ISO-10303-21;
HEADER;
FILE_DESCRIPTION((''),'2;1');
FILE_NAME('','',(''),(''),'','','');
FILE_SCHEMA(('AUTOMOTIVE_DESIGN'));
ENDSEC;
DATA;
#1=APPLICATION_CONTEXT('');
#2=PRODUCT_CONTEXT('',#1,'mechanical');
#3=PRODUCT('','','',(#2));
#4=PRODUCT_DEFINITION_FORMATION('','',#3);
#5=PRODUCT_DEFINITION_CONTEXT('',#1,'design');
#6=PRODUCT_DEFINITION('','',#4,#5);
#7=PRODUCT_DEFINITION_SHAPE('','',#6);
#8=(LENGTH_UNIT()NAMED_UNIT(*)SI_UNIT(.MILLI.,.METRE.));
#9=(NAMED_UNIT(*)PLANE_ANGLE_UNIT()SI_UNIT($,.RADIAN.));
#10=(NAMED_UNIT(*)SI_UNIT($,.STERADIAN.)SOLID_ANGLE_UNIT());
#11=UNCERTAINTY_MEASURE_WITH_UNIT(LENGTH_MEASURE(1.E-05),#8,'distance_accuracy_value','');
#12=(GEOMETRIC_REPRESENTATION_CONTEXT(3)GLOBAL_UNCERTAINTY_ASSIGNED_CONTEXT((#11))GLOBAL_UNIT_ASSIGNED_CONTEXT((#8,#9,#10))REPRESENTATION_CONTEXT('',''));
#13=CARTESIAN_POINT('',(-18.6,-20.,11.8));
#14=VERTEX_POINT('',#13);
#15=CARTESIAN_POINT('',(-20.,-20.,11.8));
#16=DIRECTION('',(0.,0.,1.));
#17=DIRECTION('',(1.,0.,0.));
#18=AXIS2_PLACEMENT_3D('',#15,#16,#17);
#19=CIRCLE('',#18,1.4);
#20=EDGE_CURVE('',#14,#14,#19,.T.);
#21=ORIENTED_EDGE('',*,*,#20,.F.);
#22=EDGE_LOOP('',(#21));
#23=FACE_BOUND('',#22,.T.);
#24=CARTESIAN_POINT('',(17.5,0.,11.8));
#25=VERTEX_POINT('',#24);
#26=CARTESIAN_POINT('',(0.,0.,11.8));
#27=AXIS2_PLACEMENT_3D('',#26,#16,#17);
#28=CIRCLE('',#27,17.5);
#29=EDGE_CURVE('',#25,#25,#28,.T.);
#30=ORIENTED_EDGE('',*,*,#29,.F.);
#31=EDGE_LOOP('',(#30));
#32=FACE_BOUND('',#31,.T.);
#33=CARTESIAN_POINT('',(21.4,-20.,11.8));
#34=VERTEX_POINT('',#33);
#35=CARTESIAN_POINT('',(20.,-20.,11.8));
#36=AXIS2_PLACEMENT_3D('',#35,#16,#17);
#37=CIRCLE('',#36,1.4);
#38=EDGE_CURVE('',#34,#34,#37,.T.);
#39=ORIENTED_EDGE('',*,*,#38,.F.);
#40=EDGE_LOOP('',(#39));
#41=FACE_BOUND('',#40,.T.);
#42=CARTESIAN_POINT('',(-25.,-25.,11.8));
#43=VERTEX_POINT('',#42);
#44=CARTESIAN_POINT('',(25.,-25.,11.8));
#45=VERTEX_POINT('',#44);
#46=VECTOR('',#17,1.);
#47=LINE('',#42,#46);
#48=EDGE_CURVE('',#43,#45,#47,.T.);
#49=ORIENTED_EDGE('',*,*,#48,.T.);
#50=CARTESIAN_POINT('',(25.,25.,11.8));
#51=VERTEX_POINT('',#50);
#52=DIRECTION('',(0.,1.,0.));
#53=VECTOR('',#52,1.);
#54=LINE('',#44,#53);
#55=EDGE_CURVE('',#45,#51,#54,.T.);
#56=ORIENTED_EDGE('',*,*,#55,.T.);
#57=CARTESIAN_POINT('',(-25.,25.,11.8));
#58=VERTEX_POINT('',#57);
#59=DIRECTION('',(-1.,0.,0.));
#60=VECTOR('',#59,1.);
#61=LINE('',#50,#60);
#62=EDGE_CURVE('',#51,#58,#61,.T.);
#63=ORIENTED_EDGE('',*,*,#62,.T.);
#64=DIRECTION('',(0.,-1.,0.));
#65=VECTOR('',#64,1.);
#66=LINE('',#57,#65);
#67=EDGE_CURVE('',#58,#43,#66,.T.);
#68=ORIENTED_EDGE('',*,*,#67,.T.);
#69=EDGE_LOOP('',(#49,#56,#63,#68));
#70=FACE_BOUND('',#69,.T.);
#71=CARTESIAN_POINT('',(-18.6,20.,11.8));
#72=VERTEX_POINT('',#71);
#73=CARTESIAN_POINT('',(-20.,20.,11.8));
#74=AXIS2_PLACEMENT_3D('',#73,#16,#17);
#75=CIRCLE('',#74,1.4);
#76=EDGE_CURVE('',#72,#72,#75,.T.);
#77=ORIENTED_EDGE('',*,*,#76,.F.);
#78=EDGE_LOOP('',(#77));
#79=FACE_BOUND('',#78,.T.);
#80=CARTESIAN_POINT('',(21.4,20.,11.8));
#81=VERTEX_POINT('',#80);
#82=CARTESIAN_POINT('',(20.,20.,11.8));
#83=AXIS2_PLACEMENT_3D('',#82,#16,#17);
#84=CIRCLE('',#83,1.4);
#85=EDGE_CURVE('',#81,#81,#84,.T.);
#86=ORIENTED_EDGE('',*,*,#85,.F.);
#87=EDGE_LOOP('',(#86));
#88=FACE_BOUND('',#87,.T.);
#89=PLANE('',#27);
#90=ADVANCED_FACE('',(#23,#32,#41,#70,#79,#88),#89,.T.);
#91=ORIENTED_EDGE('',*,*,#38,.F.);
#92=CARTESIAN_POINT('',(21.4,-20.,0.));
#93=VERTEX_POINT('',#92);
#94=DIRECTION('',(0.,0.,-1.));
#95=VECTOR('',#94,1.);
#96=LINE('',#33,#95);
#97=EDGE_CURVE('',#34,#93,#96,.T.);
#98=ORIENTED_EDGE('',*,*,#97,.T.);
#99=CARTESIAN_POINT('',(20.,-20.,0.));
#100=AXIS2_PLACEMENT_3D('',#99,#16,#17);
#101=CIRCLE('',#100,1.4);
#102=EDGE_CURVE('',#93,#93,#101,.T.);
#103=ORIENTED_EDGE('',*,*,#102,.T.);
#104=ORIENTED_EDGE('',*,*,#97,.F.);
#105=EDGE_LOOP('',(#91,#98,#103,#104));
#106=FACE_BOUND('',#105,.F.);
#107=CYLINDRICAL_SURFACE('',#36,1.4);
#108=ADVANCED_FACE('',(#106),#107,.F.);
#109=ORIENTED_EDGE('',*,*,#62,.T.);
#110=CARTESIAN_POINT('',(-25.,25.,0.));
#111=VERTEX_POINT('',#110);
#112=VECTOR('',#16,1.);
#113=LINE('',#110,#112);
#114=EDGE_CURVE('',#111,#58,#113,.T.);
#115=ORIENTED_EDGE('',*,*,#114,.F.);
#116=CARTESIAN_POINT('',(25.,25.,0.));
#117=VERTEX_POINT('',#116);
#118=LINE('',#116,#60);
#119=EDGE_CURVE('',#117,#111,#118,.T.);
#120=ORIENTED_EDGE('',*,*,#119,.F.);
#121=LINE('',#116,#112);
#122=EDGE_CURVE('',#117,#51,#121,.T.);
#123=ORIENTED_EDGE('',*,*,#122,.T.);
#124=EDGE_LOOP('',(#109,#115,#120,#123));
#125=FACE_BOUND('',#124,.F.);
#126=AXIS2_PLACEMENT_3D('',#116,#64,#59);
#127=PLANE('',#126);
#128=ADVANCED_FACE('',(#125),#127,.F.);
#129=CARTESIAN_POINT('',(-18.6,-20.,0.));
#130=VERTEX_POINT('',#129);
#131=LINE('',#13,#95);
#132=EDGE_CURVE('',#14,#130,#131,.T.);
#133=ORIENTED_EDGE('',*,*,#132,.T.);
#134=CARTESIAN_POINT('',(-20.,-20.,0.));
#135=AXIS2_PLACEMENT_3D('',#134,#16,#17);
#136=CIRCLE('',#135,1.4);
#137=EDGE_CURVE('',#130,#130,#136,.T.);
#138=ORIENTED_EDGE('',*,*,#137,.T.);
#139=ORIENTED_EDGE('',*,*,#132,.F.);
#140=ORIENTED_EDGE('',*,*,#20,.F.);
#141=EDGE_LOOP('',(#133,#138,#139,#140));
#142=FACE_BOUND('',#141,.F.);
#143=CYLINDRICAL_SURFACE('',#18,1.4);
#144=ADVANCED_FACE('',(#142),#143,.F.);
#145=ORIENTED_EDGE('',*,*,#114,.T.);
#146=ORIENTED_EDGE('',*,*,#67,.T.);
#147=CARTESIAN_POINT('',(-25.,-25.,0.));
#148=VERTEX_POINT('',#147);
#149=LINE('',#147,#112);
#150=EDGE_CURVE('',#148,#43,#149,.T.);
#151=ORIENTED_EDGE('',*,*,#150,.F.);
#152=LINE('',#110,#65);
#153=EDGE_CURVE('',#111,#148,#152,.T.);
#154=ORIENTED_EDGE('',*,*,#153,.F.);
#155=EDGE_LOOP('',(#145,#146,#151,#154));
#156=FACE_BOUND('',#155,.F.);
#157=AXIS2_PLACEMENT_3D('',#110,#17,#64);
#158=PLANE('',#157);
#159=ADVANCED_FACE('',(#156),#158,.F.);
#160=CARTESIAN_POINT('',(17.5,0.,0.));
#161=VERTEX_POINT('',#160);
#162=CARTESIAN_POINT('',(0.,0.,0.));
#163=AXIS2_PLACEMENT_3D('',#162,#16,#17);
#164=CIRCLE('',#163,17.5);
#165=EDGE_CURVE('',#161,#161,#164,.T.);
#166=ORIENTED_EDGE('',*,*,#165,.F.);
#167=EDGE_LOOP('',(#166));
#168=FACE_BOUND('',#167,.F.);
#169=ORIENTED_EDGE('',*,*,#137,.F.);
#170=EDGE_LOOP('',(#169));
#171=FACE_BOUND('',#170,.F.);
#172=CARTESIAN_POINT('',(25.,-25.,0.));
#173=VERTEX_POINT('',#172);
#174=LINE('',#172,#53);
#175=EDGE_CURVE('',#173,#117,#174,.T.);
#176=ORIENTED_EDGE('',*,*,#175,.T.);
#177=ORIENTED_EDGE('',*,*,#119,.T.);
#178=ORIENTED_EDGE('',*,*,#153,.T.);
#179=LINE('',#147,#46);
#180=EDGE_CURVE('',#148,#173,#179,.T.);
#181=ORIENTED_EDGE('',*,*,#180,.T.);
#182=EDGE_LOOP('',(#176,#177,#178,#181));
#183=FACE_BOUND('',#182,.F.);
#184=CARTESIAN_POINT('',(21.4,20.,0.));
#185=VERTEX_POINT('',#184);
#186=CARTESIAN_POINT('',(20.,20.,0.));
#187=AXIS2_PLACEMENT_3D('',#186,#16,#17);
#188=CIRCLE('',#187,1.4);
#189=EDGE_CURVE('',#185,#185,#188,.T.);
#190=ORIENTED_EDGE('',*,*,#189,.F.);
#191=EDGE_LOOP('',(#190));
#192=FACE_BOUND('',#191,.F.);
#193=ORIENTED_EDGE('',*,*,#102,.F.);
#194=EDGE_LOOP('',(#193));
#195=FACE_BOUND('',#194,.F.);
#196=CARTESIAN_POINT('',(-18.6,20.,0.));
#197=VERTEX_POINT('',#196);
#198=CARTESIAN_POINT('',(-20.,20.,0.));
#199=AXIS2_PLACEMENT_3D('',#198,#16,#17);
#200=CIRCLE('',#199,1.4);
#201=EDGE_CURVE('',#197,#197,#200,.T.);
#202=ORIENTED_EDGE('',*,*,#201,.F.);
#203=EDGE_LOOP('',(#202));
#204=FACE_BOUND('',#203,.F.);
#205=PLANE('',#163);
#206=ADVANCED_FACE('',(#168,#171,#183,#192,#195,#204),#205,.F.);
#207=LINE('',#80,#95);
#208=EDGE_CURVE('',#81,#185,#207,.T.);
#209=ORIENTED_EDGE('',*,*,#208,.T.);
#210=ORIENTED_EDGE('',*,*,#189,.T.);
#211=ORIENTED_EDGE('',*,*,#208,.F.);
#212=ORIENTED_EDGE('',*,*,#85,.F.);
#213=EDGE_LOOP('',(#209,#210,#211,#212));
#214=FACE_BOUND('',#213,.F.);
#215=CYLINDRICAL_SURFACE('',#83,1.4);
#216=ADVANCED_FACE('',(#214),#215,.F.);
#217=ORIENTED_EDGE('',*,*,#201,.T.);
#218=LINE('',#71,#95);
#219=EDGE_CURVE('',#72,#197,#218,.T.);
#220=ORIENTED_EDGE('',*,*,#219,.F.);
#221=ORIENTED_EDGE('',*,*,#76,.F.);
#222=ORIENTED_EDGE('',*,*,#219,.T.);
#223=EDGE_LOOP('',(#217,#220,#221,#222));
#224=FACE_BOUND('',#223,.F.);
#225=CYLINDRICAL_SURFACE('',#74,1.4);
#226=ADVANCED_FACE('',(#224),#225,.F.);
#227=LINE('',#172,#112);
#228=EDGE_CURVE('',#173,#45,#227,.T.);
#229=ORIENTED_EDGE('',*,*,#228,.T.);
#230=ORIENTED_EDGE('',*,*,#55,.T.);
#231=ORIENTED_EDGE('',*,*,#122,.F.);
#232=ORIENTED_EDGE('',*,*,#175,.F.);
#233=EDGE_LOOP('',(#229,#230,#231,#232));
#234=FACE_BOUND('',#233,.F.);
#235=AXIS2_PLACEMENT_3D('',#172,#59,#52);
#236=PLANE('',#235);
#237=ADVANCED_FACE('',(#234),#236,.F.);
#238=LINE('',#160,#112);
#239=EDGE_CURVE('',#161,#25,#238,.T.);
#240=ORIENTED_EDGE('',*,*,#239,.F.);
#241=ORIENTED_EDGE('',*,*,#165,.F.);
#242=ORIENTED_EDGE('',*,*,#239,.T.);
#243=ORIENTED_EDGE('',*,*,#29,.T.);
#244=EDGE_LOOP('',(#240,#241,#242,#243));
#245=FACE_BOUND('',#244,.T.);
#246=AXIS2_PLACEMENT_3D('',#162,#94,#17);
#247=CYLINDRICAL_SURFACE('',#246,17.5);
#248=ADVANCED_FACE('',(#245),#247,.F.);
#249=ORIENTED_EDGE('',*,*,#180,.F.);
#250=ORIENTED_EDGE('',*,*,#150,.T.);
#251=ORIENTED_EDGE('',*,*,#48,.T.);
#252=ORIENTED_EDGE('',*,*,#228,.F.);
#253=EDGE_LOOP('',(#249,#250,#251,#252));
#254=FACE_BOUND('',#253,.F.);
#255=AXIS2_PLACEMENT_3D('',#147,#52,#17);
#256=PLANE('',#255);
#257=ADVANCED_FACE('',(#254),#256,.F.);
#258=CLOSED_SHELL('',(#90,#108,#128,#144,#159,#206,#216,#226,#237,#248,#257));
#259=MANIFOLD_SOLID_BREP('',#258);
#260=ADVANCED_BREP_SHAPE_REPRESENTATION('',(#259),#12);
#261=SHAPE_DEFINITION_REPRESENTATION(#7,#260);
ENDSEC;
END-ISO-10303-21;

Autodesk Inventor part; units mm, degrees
ref_plane "YZ Plane" through (0, 0, 0) normal (1, 0, 0) x (0, 1, 0)
ref_plane "XZ Plane" through (0, 0, 0) normal (0, 1, 0) x (-1, 0, 0)
ref_plane "XY Plane" through (0, 0, 0) normal (0, 0, 1) x (1, 0, 0)
sketch "Sketch1" plane through (0, 0, 0) normal (0, 0, 1) x (1, 0, 0)
  line L0 (-35, 0) -> (35, 0) construction
  line L1 (0, -35) -> (0, 35) construction
  line L2 (-25, -25) -> (25, -25)
  line L3 (25, -25) -> (25, 25)
  line L4 (25, 25) -> (-25, 25)
  line L5 (-25, 25) -> (-25, -25)
  line L6 (-25, -25) -> (25, 25) construction
  line L7 (25, -25) -> (-25, 25) construction
  circle A0 centre (0, 0) radius 17.5
  dimension "d0" = 50
  dimension "d1" = 50
  dimension "d2" = 35
extrude "Extrusion1" add sketch "Sketch1" along normal blind 11.8
sketch "Sketch2" plane through (0, 0, 11.8) normal (0, 0, 1) x (1, 0, 0)
  circle A0 centre (0, 0) radius 17.5 construction
  line L0 (-25, -25) -> (25, -25) construction
  line L1 (25, -25) -> (25, 25) construction
  line L2 (25, 25) -> (-25, 25) construction
  line L3 (-25, 25) -> (-25, -25) construction
  line L4 (-35, 0) -> (35, 0) construction
  line L5 (0, -35) -> (0, 35) construction
  circle A1 centre (-20, 20) radius 1.4
  circle A2 centre (20, 20) radius 1.4
  circle A3 centre (-20, -20) radius 1.4
  circle A4 centre (20, -20) radius 1.4
  dimension "d5" = 2.8
  dimension "d6" = 20
  dimension "d7" = 20
extrude "Extrusion2" cut sketch "Sketch2" against normal through all
equation "\"d1\" = d0"
equation "\"d7\" = d6"
properties part number "30_Z_Stage_Sampleplate"
